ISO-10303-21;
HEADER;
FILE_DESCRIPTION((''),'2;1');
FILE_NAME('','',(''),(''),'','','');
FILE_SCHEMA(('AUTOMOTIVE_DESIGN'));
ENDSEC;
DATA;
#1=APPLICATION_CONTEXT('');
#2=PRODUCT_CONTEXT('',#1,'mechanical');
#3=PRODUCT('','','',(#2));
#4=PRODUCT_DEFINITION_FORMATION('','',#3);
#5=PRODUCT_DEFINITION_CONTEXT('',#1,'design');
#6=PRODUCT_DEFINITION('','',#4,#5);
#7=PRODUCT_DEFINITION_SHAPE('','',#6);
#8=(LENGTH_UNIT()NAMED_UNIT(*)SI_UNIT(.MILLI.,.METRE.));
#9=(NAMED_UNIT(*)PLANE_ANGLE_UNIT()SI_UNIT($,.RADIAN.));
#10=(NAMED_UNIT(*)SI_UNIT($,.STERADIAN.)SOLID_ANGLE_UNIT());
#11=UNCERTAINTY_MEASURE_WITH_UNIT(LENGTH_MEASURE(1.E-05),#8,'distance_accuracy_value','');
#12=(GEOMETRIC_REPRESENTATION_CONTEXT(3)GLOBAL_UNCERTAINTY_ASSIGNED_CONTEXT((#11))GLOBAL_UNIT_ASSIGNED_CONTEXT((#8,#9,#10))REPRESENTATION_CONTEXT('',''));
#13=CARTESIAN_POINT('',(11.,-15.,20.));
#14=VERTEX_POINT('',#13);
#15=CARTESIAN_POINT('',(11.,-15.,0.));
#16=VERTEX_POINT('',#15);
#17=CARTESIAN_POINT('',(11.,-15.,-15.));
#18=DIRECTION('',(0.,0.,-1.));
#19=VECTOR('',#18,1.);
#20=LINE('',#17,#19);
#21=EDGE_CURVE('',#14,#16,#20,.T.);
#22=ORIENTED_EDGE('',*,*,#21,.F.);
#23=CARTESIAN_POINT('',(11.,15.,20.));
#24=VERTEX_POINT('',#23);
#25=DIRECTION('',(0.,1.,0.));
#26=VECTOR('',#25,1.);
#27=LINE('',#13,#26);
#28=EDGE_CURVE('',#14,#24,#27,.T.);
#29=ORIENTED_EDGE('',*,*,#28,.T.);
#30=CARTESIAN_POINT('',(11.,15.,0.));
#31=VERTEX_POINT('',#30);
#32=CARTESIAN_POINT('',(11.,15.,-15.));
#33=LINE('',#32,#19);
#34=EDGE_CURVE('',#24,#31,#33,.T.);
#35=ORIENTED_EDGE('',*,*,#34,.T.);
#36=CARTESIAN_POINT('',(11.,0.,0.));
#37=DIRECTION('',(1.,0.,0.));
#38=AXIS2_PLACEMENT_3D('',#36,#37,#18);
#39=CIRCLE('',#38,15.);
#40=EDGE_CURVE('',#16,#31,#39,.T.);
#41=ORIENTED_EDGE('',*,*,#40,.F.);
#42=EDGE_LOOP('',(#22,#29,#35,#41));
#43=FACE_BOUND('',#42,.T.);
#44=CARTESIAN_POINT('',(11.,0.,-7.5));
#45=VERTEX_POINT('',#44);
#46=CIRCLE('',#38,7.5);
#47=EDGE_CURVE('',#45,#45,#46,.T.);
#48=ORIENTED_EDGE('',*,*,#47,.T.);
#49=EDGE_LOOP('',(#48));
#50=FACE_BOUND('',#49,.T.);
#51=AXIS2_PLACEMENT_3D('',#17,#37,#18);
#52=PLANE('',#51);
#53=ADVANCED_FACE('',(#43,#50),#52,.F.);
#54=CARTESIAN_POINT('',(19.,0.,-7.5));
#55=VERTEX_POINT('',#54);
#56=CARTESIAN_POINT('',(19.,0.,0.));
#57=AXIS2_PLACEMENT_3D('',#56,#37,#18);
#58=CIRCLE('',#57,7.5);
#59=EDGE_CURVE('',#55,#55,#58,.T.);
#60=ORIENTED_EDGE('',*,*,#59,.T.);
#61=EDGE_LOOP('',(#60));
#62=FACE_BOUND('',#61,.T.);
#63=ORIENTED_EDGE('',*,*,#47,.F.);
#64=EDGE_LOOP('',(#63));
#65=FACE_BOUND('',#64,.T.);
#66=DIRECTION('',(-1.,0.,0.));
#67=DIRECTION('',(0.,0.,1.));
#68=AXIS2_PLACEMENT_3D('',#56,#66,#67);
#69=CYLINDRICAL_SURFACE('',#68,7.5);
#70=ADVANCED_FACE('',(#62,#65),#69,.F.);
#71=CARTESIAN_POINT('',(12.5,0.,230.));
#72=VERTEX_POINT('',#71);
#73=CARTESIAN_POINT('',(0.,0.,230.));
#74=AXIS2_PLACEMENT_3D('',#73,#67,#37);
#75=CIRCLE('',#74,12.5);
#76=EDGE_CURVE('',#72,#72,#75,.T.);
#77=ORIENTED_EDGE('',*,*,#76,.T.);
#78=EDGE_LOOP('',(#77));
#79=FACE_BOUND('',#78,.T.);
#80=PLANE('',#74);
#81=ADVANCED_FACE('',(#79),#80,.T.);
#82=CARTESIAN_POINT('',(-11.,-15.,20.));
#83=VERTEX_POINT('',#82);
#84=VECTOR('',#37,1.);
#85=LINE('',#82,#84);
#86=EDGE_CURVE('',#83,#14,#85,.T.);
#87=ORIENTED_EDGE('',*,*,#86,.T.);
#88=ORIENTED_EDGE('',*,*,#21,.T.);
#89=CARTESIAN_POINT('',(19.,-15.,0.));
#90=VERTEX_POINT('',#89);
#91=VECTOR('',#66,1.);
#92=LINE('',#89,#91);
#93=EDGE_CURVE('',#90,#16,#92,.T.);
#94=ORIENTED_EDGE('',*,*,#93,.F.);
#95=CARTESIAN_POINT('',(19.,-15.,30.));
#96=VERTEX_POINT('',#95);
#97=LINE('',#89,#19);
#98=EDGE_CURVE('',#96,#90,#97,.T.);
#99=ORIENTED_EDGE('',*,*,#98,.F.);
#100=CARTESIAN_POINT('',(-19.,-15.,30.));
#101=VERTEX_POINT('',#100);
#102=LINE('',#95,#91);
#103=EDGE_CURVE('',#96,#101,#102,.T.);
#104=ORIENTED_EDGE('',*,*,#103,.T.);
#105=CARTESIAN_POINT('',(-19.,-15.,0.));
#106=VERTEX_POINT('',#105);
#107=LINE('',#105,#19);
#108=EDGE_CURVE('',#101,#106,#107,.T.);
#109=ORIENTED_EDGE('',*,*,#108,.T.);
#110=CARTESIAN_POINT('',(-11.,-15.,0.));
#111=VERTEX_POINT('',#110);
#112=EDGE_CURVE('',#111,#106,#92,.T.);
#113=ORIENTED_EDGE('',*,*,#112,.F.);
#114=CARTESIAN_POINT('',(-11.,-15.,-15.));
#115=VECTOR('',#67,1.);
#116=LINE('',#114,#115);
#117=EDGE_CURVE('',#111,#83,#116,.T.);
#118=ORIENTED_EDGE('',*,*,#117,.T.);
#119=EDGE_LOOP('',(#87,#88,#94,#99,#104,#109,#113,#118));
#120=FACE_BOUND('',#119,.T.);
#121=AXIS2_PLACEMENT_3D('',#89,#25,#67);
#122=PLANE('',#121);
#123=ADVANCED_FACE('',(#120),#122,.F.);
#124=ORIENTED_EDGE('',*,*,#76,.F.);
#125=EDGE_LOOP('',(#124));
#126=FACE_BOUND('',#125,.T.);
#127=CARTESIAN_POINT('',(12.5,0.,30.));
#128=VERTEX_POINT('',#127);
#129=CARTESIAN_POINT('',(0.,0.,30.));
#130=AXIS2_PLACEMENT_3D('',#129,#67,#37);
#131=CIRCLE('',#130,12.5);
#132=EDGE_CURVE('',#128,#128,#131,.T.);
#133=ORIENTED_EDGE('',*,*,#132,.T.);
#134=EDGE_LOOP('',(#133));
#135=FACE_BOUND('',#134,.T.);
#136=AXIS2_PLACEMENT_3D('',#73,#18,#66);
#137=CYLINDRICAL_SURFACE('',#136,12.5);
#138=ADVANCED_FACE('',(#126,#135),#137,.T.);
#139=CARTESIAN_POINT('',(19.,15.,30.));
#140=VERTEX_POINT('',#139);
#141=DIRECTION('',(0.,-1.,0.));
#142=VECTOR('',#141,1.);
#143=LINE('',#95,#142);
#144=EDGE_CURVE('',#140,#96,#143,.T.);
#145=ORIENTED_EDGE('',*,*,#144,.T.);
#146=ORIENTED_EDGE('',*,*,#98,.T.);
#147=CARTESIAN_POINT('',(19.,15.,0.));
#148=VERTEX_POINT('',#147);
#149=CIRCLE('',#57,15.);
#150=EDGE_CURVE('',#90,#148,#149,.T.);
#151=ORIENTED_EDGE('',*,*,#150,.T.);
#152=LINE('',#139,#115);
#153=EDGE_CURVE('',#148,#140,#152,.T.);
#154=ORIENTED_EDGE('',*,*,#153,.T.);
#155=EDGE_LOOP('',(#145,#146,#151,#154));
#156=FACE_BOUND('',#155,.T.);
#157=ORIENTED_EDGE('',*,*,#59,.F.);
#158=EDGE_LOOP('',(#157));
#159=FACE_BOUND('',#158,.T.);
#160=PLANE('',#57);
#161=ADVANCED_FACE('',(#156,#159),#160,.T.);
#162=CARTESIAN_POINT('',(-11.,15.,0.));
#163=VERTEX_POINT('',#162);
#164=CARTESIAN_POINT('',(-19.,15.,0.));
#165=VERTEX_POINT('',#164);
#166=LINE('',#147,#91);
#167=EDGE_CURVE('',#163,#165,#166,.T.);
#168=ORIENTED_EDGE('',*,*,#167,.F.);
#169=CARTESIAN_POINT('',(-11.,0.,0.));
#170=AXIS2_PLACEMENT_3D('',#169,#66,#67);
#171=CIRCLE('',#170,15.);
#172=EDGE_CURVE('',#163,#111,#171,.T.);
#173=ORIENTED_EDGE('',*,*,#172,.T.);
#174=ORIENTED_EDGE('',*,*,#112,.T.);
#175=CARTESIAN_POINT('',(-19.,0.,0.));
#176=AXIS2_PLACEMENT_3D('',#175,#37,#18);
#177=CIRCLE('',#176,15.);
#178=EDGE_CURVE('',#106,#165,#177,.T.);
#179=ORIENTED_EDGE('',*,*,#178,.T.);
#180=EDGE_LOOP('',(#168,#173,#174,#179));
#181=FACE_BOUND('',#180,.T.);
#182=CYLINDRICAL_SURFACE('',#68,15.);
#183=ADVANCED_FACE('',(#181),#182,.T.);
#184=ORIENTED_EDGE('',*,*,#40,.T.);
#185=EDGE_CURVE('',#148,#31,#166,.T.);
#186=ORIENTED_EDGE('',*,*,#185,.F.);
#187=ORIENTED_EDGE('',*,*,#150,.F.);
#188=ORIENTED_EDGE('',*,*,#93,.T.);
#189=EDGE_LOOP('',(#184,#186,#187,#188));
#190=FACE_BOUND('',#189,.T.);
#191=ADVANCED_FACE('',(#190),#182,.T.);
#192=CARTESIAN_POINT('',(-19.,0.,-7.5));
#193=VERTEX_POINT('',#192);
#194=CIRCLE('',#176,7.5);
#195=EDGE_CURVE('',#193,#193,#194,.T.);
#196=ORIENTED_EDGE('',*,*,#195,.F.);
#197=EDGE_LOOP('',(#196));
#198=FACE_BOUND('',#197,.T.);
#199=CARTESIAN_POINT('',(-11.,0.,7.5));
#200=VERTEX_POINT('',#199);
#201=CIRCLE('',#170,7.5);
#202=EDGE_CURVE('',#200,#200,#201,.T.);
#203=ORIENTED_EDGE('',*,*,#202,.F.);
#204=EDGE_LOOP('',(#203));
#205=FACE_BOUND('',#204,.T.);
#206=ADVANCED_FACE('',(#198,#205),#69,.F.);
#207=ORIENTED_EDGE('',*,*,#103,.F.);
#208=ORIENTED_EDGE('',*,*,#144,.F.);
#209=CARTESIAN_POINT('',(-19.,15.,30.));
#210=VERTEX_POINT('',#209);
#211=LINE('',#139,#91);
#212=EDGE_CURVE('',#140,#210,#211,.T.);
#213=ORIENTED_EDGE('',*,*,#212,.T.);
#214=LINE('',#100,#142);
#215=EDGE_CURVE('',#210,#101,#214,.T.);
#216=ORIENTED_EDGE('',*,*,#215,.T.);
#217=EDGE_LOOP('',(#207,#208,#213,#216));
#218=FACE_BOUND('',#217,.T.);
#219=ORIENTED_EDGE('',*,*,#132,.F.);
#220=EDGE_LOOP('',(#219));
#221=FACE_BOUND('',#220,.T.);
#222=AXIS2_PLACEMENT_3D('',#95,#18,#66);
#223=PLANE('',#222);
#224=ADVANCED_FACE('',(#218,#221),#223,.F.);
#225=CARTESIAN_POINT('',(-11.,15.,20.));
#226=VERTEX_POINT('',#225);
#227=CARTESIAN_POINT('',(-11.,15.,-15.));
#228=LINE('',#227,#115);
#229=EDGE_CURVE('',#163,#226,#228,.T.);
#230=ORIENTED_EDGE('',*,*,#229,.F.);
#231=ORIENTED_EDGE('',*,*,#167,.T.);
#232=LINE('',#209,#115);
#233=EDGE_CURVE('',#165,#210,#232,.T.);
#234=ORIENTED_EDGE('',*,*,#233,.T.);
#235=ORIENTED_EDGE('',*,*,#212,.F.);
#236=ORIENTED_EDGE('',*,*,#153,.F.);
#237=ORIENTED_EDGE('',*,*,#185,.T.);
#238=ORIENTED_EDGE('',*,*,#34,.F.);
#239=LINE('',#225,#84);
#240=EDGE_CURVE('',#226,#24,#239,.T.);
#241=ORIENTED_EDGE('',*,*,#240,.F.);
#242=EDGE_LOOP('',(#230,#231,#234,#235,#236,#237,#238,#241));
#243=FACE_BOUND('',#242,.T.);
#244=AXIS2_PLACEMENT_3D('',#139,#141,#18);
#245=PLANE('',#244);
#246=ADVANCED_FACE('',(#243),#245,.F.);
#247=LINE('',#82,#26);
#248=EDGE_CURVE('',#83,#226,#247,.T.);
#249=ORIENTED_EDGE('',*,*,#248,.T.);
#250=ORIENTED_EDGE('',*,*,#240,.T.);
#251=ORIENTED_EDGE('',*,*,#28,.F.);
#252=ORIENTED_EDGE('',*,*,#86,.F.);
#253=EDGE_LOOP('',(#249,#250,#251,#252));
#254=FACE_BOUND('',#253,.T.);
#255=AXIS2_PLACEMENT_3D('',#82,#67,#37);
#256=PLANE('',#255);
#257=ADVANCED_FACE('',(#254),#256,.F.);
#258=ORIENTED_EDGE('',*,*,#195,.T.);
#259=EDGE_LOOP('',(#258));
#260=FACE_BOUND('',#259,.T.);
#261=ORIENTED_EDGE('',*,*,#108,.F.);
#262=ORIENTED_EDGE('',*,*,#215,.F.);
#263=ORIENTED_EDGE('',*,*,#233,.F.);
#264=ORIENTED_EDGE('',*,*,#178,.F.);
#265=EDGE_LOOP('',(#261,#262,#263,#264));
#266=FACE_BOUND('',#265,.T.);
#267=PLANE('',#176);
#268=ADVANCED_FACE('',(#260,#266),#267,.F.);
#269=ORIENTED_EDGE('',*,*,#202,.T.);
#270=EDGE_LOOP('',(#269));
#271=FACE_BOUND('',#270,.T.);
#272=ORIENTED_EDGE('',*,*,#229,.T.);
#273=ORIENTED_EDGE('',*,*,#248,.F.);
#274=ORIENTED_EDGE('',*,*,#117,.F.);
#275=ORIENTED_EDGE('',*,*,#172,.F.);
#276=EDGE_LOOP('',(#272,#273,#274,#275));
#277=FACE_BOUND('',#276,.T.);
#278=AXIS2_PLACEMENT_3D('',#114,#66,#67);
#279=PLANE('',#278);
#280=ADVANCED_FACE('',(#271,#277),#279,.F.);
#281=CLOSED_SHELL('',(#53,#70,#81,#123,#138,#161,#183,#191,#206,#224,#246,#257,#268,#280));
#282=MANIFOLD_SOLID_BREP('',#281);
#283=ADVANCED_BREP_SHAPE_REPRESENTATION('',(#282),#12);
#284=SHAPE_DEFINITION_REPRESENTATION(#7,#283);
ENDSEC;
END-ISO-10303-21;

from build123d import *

# Parameters (mm, degrees)
SKETCH_1_R          = 7.5
EXTRUDE_1_DEPTH     = 19
SKETCH_2_W          = 22
SKETCH_2_H          = 35
CUT_EXTRUDE_1_DEPTH = 47.486557197
SKETCH_4_R          = 12.5
EXTRUDE_2_DEPTH     = 200


with BuildPart() as part:
    # 草图1 → 凸台-拉伸1 (new, symmetric)
    with BuildSketch(Plane(origin=(0, 0, 0), x_dir=(0, 0, -1), z_dir=(1, 0, 0))):
        with BuildLine():
            Line((0, -15), (-30, -15))
            Line((-30, -15), (-30, 15))
            Line((-30, 15), (0, 15))
            ThreePointArc((0, 15), (15, 0), (0, -15))
        make_face()
        Circle(SKETCH_1_R, mode=Mode.SUBTRACT)
    extrude(amount=EXTRUDE_1_DEPTH, both=True)

    # 草图2 → 切除-拉伸1 (cut, through all)
    with BuildSketch(Plane(origin=(0, 15, 0), x_dir=(1, 0, 0), z_dir=(0, 1, 0))):
        with Locations((0, -2.5)):
            Rectangle(SKETCH_2_W, SKETCH_2_H)
    extrude(amount=-CUT_EXTRUDE_1_DEPTH, mode=Mode.SUBTRACT)

    # 草图4 → 凸台-拉伸2 (add)
    with BuildSketch(Plane.XY.offset(30)):
        Circle(SKETCH_4_R)
    extrude(amount=EXTRUDE_2_DEPTH)


solid = part.part
